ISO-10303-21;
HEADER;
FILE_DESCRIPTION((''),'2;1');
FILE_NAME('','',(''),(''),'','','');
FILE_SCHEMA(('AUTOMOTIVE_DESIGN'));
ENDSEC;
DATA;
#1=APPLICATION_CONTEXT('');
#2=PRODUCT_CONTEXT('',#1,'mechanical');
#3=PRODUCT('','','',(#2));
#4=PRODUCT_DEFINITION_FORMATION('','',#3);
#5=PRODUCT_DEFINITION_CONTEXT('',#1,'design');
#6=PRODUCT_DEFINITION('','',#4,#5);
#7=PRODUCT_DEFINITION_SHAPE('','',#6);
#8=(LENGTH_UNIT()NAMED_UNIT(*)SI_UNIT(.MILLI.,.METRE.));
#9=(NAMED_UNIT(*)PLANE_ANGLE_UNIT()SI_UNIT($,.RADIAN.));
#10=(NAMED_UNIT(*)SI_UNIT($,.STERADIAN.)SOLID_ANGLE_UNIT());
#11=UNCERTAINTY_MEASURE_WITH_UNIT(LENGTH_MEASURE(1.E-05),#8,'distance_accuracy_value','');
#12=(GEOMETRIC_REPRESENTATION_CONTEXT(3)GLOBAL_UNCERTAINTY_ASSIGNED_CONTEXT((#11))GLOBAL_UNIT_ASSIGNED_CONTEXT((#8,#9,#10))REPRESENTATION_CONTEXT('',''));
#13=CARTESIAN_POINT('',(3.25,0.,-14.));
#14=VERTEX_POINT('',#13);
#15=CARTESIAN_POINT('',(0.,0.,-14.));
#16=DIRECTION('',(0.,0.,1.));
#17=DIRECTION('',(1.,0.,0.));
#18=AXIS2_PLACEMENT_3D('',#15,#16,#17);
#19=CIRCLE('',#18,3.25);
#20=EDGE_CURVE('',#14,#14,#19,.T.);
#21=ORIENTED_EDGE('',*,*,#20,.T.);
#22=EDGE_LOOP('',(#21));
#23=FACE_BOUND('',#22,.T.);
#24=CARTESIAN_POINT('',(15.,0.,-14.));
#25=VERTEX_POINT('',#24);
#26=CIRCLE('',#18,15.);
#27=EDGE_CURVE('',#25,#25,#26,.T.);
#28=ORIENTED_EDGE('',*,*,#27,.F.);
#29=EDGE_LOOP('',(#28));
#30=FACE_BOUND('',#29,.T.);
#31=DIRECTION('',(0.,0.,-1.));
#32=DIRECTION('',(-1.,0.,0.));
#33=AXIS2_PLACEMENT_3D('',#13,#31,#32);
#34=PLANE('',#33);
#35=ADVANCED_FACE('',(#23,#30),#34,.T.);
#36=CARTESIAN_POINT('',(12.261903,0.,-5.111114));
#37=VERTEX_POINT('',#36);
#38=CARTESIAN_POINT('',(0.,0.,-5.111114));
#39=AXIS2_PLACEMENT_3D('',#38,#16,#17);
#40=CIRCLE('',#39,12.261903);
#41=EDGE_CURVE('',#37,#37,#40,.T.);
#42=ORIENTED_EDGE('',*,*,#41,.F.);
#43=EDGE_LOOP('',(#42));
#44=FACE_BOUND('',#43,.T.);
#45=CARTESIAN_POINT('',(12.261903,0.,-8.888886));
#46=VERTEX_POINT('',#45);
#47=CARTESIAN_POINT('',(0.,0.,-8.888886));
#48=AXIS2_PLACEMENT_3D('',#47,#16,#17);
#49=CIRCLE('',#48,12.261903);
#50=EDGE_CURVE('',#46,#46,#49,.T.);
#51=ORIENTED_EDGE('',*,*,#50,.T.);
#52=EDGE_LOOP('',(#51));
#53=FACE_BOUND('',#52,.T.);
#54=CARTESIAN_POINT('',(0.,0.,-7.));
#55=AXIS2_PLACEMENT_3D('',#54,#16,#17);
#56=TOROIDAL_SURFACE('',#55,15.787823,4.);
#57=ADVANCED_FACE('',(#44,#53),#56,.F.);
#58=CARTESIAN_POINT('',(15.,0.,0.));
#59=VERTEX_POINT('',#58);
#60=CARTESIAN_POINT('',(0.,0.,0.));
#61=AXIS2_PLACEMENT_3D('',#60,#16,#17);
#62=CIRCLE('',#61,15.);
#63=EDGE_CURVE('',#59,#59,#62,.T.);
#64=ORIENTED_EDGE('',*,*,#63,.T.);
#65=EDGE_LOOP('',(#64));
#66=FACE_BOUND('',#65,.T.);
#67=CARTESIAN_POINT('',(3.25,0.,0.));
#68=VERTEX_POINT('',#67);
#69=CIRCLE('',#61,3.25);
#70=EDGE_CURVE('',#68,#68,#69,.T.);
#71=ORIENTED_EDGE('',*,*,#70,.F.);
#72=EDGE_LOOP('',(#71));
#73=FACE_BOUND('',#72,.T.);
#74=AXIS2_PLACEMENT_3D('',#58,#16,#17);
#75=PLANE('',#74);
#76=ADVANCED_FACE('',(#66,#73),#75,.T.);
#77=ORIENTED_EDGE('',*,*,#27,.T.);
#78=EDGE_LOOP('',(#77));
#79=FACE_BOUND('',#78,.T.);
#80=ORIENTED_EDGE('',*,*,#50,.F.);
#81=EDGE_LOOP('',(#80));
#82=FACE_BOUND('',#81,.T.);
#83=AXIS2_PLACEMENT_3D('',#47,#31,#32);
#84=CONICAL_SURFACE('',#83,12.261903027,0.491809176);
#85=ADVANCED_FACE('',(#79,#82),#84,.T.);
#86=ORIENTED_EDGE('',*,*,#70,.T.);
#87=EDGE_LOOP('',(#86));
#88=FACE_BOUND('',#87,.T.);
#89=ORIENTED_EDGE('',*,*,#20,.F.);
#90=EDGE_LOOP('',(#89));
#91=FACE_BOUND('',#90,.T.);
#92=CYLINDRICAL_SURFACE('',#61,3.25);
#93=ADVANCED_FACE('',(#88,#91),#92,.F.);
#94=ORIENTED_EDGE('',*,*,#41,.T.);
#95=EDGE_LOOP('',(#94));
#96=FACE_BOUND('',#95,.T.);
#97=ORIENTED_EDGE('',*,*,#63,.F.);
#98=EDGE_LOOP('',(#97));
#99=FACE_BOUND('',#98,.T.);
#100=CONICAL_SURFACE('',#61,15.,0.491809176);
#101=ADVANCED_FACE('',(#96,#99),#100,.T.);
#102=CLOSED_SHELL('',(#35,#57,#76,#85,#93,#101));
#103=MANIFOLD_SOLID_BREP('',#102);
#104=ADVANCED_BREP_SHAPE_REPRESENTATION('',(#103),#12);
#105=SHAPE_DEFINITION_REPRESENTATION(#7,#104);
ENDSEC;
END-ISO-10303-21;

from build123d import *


with BuildPart() as part:
    # Sketch4 → Revolve1 (revolve)
    with BuildSketch(Plane(origin=(0, 0, 0), x_dir=(1, 0, 0), z_dir=(0, 1, 0))):
        with BuildLine():
            Line((3.25, 0), (3.25, 14))
            Line((3.25, 14), (15, 14))
            Line((15, 14), (12.261903027, 8.88888565))
            ThreePointArc((12.261903027, 8.88888565), (11.787822907, 7), (12.261903027, 5.11111435))
            Line((12.261903027, 5.11111435), (15, 0))
            Line((15, 0), (3.25, 0))
        make_face()
    revolve(axis=Axis((0, 0, 0), (0, 0, -1)))


solid = part.part
